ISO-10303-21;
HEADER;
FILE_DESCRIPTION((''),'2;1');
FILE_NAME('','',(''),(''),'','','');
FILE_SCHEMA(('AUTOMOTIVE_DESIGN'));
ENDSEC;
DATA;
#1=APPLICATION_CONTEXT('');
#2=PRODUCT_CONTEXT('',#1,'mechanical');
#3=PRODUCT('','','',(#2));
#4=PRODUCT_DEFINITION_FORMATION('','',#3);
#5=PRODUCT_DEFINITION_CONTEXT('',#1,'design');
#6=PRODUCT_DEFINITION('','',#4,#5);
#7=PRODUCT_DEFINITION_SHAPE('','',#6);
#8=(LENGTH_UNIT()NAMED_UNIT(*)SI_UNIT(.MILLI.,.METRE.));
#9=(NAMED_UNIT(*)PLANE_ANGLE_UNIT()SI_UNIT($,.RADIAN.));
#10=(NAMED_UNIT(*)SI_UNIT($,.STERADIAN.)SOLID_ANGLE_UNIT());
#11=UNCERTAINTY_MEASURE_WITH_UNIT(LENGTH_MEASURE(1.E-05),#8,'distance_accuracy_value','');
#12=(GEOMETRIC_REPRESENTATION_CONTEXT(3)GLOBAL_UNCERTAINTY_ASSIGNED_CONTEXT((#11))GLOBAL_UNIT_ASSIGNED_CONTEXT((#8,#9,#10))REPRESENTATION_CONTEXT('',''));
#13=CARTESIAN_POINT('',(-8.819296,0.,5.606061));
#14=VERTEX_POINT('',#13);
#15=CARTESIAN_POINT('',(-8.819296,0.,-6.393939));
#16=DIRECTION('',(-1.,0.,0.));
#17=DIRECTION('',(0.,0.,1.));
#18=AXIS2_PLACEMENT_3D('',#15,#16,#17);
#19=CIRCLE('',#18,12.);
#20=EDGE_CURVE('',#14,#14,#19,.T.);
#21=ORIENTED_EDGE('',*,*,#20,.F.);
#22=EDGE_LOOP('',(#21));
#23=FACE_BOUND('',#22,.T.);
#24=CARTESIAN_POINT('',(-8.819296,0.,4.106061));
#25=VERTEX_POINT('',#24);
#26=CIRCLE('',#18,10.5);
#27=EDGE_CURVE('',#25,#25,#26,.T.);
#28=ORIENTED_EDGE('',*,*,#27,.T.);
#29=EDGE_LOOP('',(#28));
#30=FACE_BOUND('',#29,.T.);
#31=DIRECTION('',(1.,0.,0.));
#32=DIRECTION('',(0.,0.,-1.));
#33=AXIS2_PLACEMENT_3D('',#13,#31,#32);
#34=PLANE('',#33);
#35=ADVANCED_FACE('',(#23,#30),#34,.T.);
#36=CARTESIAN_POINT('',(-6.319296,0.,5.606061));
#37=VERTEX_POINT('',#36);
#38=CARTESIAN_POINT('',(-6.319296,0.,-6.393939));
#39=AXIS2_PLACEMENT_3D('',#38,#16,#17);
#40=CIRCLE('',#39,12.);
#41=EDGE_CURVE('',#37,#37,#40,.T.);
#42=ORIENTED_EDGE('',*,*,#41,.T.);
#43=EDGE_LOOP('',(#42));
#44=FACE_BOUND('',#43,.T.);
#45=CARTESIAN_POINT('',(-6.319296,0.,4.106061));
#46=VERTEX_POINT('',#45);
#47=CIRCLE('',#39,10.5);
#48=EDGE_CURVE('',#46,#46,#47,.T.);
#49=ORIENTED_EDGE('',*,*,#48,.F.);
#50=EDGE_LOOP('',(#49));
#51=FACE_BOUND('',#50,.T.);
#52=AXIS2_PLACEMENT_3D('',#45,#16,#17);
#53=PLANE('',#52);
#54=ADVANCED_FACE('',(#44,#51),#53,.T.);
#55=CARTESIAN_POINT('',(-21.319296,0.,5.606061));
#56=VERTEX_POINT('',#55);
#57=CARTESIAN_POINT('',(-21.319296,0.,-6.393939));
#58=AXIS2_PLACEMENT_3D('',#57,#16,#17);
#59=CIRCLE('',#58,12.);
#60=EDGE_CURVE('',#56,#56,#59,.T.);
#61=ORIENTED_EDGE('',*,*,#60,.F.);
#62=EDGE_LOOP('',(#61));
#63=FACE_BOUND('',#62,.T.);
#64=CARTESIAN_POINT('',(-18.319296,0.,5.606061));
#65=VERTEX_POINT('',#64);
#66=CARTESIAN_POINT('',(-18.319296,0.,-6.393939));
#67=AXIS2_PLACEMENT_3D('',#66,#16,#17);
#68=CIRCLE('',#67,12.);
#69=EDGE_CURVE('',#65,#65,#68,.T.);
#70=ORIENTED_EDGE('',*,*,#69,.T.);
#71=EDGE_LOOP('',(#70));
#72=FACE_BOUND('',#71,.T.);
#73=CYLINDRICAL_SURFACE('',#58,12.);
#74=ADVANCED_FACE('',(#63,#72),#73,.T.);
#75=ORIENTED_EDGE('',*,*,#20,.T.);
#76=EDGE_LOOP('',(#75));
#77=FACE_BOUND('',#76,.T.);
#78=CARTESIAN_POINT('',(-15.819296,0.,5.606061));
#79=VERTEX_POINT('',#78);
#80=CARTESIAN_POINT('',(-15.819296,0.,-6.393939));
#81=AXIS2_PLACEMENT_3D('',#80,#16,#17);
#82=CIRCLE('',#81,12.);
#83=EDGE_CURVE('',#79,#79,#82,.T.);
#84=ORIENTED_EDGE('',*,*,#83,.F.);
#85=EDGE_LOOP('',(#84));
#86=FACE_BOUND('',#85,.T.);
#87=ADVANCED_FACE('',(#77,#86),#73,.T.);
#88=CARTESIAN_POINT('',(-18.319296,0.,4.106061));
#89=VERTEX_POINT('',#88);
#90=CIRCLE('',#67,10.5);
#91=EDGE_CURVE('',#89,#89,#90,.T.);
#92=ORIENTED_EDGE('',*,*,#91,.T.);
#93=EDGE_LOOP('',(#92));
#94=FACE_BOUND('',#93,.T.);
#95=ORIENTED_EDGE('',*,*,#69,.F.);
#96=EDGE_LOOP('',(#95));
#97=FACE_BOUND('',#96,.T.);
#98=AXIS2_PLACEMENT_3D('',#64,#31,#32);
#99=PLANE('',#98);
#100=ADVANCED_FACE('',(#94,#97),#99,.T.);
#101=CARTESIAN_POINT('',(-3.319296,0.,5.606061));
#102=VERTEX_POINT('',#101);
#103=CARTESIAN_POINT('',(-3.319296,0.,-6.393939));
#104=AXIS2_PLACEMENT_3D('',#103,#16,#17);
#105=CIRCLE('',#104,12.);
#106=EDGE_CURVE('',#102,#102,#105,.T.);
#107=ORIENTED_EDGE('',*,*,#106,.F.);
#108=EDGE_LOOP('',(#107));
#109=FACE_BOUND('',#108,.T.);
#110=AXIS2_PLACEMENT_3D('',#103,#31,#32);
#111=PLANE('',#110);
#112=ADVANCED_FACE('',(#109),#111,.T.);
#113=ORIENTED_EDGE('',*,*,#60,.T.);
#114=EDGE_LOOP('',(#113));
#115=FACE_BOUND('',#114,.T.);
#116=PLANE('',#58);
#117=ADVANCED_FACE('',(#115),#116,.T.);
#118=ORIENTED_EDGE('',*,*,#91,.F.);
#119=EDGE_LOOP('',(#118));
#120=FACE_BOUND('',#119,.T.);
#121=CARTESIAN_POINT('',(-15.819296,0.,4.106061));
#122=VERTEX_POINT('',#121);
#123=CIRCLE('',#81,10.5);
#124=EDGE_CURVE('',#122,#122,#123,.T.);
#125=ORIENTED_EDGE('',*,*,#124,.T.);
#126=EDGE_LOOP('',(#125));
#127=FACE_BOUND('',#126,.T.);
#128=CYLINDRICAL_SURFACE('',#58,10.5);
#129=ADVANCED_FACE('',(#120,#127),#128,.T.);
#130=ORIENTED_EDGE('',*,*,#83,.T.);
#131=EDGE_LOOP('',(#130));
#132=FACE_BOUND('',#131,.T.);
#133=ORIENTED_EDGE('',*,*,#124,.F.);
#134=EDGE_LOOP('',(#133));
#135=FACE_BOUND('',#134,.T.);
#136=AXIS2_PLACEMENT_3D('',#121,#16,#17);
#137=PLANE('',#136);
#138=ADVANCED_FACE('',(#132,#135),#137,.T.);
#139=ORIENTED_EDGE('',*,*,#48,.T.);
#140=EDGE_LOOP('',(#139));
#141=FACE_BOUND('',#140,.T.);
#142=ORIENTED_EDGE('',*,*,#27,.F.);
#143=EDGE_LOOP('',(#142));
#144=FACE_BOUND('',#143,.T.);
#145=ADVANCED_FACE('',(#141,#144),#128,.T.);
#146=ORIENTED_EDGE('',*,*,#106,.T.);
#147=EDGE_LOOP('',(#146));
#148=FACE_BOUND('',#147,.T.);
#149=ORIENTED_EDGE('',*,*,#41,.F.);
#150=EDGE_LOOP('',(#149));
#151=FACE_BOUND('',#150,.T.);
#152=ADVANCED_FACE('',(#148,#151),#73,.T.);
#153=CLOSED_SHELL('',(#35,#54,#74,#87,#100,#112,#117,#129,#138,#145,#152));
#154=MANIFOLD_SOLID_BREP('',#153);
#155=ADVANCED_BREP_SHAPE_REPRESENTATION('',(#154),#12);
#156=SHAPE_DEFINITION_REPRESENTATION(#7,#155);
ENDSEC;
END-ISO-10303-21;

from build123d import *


with BuildPart() as part:
    # Sketch1 → Revolve1 (revolve)
    with BuildSketch(Plane(origin=(0, 0, 0), x_dir=(1, 0, 0), z_dir=(0, 1, 0))):
        Polygon((-18.319295777, -5.606060606), (-18.319295777, -4.106060606), (-15.819295777, -4.106060606), (-15.819295777, -5.606060606), (-8.819295777, -5.606060606), (-8.819295777, -4.106060606), (-6.319295777, -4.106060606), (-6.319295777, -5.606060606), (-3.319295777, -5.606060606), (-3.319295777, 6.393939394), (-21.319295777, 6.393939394), (-21.319295777, -5.606060606), align=None)
    revolve(axis=Axis((-21.319295777, 0, -6.393939394), (1, 0, 0)))


solid = part.part
